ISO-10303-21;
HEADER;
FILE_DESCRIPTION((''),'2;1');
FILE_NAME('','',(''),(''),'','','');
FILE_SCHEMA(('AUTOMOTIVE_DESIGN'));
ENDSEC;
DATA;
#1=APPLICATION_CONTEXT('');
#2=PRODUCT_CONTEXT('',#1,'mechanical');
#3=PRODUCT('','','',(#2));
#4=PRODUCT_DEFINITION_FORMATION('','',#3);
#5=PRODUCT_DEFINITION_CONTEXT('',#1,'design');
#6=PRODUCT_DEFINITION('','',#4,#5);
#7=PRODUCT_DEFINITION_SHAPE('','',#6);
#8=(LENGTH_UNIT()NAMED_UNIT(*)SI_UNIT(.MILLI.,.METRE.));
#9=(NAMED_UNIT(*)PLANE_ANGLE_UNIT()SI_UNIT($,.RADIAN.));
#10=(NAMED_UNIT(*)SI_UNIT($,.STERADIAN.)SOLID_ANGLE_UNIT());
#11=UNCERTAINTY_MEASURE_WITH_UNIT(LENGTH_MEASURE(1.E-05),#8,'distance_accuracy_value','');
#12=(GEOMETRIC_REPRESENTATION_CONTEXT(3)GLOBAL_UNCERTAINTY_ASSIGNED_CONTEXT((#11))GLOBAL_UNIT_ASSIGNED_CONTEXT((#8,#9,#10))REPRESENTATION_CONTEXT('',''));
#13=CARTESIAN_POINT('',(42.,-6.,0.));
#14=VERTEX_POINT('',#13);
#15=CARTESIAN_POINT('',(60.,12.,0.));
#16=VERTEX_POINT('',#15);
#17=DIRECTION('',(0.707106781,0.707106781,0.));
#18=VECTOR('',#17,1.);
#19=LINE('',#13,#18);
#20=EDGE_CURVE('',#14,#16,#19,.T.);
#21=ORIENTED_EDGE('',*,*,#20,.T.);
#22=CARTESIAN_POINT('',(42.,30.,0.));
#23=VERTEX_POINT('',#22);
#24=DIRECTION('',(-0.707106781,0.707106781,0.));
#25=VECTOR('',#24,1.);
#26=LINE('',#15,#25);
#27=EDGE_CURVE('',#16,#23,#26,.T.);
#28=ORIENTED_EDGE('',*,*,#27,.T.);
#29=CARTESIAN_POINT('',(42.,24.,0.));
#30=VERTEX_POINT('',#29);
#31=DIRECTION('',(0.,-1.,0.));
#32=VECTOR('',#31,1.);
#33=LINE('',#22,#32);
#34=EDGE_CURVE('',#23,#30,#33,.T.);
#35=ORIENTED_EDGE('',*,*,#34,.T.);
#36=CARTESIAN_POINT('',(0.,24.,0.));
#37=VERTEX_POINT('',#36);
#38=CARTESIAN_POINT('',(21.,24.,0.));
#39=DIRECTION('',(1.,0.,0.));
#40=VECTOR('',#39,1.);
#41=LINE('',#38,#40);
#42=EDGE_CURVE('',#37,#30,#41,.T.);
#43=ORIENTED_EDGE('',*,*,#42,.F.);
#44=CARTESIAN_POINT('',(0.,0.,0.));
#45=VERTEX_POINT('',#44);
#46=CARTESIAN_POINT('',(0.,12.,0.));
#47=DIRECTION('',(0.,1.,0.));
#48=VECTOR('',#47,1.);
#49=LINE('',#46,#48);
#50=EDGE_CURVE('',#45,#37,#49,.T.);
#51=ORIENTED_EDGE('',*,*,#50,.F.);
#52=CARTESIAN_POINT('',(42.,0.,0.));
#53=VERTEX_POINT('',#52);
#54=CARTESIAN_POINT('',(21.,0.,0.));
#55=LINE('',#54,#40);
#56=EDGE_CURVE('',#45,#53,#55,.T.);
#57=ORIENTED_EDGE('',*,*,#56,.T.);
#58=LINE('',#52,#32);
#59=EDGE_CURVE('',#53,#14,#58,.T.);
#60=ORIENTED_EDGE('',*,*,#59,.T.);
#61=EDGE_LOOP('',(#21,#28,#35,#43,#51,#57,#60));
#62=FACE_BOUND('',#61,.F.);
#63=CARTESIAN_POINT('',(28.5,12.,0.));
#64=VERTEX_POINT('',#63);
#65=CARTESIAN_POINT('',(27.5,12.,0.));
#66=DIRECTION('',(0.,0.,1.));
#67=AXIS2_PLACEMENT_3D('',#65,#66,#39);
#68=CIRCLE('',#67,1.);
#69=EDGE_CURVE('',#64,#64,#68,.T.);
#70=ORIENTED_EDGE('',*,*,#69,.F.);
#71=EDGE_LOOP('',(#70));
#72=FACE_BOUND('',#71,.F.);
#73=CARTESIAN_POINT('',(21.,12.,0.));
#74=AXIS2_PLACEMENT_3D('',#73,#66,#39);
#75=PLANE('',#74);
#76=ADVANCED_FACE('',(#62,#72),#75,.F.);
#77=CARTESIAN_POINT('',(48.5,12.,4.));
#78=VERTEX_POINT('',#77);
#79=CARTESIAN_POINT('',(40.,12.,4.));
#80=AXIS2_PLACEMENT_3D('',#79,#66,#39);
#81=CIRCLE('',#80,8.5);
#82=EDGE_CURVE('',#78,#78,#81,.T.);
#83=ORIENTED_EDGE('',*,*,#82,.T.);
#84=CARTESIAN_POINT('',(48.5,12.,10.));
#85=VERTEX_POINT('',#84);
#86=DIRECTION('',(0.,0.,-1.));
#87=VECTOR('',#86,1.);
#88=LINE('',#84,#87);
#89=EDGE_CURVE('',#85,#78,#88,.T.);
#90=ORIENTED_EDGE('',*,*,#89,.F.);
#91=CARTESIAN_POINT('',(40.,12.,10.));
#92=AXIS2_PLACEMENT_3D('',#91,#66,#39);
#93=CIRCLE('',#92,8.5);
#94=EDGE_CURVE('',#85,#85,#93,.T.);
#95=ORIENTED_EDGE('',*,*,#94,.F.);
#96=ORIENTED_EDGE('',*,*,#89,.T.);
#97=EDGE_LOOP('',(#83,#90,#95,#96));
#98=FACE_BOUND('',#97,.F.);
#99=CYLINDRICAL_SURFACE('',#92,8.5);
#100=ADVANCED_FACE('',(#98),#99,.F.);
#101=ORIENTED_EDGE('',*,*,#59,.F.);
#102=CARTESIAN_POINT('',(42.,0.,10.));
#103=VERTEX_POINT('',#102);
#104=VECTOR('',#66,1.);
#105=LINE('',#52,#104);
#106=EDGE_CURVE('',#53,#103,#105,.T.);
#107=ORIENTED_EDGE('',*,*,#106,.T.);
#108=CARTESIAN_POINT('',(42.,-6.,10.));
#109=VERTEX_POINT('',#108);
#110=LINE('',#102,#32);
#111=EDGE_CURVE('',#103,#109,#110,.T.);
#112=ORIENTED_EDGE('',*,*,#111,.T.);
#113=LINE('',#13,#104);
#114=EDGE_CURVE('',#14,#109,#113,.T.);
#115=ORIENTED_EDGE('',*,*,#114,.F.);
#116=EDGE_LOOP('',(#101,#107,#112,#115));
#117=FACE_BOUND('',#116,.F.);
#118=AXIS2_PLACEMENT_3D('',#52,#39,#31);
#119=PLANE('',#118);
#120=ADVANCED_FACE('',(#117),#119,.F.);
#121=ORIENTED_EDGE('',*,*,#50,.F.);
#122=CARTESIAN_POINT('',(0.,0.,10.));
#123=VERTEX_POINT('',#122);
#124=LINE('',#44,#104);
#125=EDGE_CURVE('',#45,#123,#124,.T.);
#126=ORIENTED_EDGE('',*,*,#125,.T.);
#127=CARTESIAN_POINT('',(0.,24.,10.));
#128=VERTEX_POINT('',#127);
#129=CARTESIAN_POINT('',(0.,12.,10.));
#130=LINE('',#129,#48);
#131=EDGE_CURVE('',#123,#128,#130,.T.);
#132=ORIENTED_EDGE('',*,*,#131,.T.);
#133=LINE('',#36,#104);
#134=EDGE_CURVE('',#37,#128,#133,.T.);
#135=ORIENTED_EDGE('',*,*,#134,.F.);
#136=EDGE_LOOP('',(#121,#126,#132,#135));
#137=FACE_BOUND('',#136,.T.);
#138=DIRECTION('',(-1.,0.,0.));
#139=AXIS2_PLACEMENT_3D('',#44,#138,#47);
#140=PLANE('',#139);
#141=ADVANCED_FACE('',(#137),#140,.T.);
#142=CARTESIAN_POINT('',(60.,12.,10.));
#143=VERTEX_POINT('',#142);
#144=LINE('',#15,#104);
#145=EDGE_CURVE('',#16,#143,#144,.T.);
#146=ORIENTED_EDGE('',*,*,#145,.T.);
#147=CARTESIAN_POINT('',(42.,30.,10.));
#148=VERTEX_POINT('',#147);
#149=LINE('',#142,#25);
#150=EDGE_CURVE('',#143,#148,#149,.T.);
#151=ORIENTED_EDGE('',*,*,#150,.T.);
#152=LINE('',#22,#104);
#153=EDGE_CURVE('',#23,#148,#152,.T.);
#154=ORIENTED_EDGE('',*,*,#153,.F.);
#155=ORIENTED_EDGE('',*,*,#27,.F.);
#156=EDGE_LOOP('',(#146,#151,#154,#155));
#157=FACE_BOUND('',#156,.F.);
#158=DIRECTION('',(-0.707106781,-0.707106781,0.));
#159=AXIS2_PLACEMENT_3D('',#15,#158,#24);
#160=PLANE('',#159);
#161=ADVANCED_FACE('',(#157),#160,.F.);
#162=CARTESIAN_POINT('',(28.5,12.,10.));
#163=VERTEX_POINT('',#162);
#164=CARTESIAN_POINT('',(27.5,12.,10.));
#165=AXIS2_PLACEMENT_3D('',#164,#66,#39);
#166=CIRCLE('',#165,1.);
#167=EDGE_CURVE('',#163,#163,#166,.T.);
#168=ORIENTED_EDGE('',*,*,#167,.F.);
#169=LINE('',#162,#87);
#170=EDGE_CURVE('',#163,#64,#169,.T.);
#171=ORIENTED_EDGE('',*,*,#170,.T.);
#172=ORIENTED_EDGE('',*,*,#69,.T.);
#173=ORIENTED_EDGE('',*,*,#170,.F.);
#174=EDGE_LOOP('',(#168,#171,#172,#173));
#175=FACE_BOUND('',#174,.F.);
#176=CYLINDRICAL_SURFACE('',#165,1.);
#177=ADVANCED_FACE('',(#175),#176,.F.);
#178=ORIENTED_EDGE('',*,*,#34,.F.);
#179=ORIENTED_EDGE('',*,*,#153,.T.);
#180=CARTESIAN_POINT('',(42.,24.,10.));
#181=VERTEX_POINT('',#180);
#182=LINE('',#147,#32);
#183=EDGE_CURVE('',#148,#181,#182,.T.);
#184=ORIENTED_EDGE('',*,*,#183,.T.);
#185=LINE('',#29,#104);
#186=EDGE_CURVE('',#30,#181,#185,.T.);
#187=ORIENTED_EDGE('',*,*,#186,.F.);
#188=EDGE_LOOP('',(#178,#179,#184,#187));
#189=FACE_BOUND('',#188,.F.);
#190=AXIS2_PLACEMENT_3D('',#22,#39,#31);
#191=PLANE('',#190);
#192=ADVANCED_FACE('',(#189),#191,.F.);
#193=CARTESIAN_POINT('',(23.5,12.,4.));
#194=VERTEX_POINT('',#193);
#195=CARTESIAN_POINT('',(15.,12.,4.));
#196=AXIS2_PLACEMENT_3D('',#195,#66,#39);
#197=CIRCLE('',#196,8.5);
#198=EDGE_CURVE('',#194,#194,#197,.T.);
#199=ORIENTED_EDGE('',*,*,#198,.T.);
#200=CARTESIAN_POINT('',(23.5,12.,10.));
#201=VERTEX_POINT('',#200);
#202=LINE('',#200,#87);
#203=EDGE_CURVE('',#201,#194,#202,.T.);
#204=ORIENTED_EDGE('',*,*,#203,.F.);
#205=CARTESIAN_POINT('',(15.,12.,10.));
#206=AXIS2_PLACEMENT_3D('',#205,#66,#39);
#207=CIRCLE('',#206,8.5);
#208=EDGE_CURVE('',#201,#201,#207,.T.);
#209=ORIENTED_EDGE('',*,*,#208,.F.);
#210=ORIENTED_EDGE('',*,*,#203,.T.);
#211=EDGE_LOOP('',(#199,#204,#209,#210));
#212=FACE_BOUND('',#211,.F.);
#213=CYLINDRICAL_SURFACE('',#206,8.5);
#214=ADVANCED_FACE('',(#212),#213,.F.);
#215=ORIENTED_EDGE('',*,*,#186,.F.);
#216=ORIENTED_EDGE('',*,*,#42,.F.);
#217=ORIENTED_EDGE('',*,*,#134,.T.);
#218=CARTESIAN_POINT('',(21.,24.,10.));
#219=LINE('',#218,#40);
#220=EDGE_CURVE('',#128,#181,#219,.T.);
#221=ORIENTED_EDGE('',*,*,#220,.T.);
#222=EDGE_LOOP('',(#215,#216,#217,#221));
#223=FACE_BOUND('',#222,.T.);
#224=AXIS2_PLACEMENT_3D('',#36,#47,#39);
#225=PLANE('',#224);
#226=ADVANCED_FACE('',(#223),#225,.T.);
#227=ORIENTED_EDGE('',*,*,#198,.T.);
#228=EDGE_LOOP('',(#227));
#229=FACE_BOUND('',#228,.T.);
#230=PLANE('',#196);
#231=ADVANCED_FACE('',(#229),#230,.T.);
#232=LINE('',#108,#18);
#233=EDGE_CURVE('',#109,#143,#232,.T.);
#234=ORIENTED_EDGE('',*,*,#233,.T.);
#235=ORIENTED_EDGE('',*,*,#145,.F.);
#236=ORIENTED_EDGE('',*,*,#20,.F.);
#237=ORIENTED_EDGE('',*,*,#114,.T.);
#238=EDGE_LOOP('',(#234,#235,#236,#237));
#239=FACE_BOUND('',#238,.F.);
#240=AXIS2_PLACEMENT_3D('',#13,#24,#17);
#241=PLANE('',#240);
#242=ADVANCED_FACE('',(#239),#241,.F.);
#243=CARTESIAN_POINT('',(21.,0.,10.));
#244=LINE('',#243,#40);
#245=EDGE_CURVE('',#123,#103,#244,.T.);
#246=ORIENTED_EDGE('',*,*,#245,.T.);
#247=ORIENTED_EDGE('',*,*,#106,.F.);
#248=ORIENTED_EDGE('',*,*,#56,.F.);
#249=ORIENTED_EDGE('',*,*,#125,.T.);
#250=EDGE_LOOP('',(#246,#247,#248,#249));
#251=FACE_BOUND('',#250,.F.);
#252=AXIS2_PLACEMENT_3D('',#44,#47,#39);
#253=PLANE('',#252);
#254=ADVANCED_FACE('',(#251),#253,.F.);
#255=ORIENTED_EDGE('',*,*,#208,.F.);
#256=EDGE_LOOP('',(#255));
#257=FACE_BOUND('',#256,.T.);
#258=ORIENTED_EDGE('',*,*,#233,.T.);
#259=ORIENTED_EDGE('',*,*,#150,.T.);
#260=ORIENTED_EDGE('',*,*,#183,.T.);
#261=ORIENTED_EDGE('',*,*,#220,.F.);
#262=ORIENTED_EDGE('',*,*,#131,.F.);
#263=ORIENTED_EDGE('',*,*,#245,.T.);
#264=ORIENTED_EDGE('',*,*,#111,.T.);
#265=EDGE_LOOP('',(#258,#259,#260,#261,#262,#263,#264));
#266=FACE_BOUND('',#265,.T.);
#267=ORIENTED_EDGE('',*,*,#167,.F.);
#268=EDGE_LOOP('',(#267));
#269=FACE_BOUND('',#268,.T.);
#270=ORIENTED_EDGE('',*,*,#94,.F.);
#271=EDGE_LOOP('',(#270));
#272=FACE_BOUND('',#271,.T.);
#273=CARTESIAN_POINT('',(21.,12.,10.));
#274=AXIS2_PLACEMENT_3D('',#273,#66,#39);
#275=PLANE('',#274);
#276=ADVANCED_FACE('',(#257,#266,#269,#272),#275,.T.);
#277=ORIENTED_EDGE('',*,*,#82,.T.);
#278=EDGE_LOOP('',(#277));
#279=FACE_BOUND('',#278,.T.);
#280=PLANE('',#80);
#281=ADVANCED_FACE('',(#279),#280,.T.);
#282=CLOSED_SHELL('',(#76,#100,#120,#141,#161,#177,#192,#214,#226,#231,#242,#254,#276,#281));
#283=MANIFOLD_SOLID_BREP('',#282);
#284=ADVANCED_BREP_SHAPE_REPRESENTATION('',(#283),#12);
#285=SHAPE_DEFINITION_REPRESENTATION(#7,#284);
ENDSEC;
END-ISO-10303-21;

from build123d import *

# Parameters (mm, degrees)
F0_W     = 42
F0_H     = 24
F1_DEPTH = 10
F2_R     = 8.5
F3_DEPTH = 6
F4_R     = 1
F5_DEPTH = 25


with BuildPart() as f1:
    # F0 (on Top) → F1 (new body)
    with BuildSketch(Plane.XY):
        with Locations((21, 12)):
            Rectangle(F0_W, F0_H)
        Polygon((42, 24), (42, 0), (42, -6), (60, 12), (42, 30), align=None)
    extrude(amount=F1_DEPTH)

    # F2 (on face) → F3 (cut)
    with BuildSketch(Plane.XY.offset(10)):
        with Locations((15, 12)):
            Circle(F2_R)
        with Locations((40, 12)):
            Circle(F2_R)
    extrude(amount=-F3_DEPTH, mode=Mode.SUBTRACT)

    # F4 (on face) → F5 (cut)
    with BuildSketch(Plane.XY.offset(10)):
        with Locations((27.5, 12)):
            Circle(F4_R)
    extrude(amount=-F5_DEPTH, mode=Mode.SUBTRACT)


solid = f1.part
